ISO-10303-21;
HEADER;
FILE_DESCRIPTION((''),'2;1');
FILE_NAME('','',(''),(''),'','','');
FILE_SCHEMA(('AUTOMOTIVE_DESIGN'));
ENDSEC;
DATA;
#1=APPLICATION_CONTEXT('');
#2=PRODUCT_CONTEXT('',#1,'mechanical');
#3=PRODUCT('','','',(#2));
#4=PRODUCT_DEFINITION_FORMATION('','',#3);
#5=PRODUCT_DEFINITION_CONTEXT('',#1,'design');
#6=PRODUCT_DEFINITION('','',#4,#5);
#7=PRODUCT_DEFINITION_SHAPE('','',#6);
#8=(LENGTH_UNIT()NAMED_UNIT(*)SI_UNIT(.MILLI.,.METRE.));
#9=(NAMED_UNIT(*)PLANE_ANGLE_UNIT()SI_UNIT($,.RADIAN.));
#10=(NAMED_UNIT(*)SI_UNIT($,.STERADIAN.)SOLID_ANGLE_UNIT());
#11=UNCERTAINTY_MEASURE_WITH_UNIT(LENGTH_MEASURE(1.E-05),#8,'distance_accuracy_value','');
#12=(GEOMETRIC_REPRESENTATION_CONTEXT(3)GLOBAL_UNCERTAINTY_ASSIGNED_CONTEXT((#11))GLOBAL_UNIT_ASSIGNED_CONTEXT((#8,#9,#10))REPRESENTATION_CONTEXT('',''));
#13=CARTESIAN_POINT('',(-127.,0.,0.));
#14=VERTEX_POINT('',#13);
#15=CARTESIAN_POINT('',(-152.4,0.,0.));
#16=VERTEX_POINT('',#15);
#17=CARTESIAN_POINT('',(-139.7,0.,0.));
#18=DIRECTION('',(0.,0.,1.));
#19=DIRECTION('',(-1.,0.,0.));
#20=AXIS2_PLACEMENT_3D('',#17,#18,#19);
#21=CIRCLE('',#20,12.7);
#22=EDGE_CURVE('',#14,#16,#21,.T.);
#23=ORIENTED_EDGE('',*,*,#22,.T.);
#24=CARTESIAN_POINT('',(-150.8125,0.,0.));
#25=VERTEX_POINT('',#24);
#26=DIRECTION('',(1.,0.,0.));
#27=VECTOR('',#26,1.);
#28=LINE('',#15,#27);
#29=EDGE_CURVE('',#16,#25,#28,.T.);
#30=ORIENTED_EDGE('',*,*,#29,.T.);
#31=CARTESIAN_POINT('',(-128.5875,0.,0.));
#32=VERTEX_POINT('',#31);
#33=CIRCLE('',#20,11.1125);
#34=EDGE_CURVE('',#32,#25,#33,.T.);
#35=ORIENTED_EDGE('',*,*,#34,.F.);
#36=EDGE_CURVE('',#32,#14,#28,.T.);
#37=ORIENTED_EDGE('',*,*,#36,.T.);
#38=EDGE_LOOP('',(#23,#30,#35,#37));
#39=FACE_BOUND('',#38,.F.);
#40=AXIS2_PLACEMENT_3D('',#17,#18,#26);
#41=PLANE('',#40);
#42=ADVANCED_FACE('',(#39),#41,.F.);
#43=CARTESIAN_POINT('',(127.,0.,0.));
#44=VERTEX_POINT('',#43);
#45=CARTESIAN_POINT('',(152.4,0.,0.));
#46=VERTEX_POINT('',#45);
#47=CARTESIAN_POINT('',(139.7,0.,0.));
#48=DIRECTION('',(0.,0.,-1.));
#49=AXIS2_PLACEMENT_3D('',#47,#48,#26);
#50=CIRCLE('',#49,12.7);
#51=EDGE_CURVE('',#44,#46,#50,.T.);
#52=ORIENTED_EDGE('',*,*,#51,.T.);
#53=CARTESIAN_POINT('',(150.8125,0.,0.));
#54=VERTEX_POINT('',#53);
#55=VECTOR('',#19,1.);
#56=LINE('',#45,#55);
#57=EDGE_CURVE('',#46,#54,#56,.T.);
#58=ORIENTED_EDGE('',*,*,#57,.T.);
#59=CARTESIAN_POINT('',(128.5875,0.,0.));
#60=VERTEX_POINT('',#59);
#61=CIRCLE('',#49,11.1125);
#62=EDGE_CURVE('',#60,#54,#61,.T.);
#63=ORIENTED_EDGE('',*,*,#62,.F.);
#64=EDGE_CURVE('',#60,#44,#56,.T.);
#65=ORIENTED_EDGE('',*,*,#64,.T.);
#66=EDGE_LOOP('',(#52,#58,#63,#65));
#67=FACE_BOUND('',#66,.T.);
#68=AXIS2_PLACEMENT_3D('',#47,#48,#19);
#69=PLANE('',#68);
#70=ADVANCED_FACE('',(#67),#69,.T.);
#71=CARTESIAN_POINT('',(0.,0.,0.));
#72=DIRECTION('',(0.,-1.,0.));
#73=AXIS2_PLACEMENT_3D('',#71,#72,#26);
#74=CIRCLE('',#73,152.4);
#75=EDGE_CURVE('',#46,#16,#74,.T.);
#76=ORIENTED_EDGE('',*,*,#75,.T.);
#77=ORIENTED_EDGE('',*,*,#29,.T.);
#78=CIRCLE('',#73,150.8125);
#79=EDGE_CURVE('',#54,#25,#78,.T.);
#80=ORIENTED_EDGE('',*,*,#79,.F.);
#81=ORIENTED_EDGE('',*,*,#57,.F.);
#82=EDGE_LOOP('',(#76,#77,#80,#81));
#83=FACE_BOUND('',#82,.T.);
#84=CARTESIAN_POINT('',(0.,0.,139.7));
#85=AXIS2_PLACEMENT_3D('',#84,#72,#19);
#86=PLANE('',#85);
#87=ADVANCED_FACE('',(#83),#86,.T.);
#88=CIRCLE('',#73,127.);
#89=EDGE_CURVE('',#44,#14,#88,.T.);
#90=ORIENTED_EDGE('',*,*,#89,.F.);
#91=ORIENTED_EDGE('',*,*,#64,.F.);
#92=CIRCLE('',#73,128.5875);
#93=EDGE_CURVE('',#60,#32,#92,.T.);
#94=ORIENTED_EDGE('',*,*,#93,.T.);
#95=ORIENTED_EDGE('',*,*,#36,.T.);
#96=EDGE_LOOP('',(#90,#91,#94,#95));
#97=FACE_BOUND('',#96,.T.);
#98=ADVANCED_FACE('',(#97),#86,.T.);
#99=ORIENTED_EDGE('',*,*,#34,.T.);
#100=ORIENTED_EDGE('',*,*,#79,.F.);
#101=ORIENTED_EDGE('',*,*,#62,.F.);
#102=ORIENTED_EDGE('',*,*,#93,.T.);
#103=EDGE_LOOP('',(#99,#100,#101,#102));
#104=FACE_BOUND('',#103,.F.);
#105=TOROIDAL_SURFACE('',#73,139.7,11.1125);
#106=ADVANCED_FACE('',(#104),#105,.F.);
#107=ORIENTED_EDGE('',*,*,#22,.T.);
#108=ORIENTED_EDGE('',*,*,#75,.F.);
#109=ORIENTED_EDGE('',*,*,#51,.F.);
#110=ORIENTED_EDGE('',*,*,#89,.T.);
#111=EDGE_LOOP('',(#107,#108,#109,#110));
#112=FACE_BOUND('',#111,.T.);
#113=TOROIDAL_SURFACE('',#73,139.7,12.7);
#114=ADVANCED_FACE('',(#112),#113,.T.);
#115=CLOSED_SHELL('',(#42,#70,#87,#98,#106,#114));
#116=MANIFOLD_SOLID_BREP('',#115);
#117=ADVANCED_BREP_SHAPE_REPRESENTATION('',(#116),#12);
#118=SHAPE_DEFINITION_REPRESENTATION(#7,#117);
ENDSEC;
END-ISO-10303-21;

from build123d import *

# Parameters (mm, degrees)
F1_R = 12.7


with BuildPart() as f2:
    # F2: sweep along a path in F0
    with BuildLine(Plane.XZ) as f2_path:
        ThreePointArc((139.7, 0), (0, 139.7), (-139.7, 0))
    # F1 (on Top) → F2 (sweep)
    with BuildSketch(Plane.XY):
        with Locations((-139.7, 0)):
            Circle(F1_R)
    sweep(path=f2_path.line)

    # F4: sweep along a path in F0
    with BuildLine(Plane.XZ) as f4_path:
        ThreePointArc((139.7, 0), (0, 139.7), (-139.7, 0))
    # F3 (on face) → F4 (sweep, cut)
    with BuildSketch(Plane(origin=(0, 0, 0), x_dir=(1, 0, 0), z_dir=(0, 0, -1))):
        with BuildLine():
            ThreePointArc((-152.4, 0), (-139.7, 12.3904935703), (-127, 0))
            ThreePointArc((-127, 0), (-139.7, 12.7), (-152.4, 0))
        make_face()
        with BuildLine():
            Line((-152.4, 0), (-127, 0))
            ThreePointArc((-127, 0), (-139.7, 12.3904935703), (-152.4, 0))
        make_face()
    sweep(path=f4_path.line, mode=Mode.SUBTRACT)

    # F6: sweep along a path in F0
    with BuildLine(Plane.XZ) as f6_path:
        ThreePointArc((139.7, 0), (0, 139.7), (-139.7, 0))
    # F5 (on face) → F6 (sweep, cut)
    with BuildSketch(Plane(origin=(0, 0, 0), x_dir=(1, 0, 0), z_dir=(0, 0, -1))):
        with BuildLine():
            ThreePointArc((-128.5875, 0), (-139.7, 11.1125), (-150.8125, 0))
            Line((-150.8125, 0), (-128.5875, 0))
        make_face()
        with BuildLine():
            Line((-128.5875, 0), (-150.8125, 0))
            ThreePointArc((-150.8125, 0), (-139.7, -11.1125), (-128.5875, 0))
        make_face()
    sweep(path=f6_path.line, mode=Mode.SUBTRACT)


solid = f2.part
